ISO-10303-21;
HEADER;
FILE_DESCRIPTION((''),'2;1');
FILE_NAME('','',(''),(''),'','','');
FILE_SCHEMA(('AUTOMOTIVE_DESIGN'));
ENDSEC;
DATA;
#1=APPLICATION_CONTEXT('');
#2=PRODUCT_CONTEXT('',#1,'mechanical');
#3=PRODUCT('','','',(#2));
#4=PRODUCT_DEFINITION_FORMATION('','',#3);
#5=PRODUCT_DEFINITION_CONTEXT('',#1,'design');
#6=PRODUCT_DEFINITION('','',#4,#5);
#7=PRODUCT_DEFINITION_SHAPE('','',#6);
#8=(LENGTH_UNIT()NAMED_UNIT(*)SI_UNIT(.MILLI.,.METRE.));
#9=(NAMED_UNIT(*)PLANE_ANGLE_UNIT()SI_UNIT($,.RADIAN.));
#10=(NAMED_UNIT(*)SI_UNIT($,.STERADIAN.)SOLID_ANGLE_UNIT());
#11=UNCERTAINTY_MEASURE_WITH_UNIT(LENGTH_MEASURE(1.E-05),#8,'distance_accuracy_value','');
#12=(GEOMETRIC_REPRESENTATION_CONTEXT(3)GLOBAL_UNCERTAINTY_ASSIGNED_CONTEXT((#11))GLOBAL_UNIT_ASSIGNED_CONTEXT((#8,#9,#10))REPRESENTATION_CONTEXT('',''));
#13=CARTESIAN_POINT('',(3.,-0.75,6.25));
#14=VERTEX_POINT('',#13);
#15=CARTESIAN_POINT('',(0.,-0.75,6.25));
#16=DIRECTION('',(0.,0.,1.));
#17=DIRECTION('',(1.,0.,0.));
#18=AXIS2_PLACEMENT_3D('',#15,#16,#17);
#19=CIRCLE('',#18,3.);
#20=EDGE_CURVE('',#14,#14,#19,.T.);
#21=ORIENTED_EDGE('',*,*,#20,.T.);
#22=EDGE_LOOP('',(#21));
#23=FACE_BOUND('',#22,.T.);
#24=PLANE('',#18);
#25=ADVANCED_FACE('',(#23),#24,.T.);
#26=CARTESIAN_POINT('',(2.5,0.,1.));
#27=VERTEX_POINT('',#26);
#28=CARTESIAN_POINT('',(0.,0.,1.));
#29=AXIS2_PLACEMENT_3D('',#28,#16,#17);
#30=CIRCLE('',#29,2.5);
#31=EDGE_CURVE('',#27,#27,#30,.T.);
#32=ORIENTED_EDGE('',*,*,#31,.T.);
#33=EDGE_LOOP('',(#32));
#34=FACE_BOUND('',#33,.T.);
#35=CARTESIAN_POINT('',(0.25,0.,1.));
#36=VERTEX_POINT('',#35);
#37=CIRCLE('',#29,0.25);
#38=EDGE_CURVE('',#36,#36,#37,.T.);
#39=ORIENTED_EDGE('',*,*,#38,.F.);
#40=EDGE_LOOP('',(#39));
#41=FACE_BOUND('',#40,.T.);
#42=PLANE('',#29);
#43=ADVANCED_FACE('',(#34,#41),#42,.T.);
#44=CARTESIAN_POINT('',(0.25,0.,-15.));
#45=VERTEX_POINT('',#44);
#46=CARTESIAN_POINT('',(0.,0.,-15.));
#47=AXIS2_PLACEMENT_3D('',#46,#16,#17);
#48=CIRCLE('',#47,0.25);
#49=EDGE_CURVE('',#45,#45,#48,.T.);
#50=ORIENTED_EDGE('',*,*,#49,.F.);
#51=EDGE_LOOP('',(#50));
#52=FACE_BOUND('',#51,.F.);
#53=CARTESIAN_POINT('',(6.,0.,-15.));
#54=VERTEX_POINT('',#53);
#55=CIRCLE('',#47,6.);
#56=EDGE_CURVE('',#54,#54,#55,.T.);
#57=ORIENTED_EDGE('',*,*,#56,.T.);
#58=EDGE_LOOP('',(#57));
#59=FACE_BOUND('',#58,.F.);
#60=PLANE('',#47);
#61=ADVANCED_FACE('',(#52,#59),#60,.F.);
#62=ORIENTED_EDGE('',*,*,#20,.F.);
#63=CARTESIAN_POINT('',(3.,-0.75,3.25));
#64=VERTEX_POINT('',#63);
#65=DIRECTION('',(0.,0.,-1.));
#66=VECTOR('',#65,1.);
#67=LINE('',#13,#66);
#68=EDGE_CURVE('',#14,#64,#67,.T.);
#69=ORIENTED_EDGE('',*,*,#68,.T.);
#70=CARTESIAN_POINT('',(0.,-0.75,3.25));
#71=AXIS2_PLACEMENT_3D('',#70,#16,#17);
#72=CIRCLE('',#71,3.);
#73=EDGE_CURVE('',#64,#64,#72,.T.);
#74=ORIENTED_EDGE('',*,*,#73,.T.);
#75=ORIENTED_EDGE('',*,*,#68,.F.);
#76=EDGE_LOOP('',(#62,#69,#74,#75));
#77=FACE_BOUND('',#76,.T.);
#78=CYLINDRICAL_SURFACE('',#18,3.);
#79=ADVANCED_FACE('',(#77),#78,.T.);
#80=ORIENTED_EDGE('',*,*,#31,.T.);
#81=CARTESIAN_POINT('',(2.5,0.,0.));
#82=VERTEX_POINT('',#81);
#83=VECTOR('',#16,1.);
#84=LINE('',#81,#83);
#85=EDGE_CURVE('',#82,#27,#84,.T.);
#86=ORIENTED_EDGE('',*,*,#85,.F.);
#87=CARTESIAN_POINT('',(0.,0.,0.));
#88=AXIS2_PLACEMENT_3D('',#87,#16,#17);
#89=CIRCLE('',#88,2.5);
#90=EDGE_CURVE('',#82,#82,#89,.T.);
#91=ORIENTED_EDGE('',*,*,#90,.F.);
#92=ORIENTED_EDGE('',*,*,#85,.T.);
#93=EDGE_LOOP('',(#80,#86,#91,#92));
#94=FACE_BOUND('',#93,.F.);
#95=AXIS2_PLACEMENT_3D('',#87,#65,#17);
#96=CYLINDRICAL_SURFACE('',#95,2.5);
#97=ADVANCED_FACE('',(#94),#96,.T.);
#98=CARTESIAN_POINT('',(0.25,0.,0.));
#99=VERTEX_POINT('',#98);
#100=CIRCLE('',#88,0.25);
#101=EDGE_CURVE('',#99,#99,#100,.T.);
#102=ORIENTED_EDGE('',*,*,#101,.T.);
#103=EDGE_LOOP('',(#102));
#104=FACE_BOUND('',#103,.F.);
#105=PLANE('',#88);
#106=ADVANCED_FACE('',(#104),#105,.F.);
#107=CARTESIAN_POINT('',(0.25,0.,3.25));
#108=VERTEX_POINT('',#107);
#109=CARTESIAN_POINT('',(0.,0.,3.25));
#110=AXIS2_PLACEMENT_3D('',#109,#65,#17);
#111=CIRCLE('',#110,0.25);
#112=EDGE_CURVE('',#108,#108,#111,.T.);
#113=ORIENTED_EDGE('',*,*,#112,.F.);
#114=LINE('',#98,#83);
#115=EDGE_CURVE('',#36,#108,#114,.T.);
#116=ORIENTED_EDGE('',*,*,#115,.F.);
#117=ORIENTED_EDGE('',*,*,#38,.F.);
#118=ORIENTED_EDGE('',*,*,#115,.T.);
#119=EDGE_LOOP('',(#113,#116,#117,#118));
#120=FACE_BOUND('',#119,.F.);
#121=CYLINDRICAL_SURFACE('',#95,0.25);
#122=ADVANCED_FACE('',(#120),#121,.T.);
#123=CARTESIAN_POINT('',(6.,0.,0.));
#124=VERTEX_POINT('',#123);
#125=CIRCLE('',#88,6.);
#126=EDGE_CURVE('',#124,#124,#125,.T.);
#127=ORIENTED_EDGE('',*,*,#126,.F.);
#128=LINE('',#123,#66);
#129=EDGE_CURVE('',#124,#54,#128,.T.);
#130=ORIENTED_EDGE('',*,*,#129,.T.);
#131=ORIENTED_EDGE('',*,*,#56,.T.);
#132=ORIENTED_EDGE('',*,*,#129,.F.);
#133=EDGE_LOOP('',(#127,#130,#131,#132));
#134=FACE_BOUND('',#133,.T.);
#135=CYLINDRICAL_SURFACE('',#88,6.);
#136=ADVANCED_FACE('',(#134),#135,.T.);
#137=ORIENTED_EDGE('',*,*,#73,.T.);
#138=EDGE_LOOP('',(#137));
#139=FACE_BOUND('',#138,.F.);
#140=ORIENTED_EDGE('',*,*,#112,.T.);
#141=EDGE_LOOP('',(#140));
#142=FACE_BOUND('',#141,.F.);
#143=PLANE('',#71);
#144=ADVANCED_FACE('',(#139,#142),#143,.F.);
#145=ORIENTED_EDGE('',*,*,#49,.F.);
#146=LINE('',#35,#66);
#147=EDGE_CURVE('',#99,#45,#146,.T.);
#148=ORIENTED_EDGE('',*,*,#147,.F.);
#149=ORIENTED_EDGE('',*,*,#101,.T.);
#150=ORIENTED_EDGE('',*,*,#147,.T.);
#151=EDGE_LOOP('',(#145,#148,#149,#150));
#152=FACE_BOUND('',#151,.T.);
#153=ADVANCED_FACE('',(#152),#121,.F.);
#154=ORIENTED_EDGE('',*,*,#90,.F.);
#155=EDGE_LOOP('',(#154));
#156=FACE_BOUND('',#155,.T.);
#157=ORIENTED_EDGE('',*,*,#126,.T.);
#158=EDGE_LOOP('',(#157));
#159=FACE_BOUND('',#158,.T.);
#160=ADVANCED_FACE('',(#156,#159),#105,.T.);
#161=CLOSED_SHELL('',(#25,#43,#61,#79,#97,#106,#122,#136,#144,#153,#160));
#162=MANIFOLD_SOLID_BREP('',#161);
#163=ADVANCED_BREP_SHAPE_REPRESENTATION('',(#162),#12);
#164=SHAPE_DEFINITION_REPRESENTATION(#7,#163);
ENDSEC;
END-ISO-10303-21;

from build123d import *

# Parameters (mm, degrees)
F0_R     = 6
F0_R_2   = 2.5
F0_R_3   = 0.25
F1_DEPTH = 15
F2_DEPTH = 1
F3_DEPTH = 6.25
F4_R     = 3
F5_DEPTH = 3


with BuildPart() as f1:
    # F0 (on Top) → F1 (new body)
    with BuildSketch(Plane.XY):
        Circle(F0_R)
        Circle(F0_R_2, mode=Mode.SUBTRACT)
        Circle(F0_R_2)
        Circle(F0_R_3, mode=Mode.SUBTRACT)
    extrude(amount=-F1_DEPTH)

    # F0 (on Top) → F2 (join)
    with BuildSketch(Plane.XY):
        Circle(F0_R_2)
        Circle(F0_R_3, mode=Mode.SUBTRACT)
    extrude(amount=F2_DEPTH)

    # F0 (on Top) → F3 (join)
    with BuildSketch(Plane.XY):
        Circle(F0_R_3)
    extrude(amount=F3_DEPTH)

    # F4 (on face) → F5 (join)
    with BuildSketch(Plane.XY.offset(6.25)):
        with Locations((0, -0.75)):
            Circle(F4_R)
    extrude(amount=-F5_DEPTH)


solid = f1.part
